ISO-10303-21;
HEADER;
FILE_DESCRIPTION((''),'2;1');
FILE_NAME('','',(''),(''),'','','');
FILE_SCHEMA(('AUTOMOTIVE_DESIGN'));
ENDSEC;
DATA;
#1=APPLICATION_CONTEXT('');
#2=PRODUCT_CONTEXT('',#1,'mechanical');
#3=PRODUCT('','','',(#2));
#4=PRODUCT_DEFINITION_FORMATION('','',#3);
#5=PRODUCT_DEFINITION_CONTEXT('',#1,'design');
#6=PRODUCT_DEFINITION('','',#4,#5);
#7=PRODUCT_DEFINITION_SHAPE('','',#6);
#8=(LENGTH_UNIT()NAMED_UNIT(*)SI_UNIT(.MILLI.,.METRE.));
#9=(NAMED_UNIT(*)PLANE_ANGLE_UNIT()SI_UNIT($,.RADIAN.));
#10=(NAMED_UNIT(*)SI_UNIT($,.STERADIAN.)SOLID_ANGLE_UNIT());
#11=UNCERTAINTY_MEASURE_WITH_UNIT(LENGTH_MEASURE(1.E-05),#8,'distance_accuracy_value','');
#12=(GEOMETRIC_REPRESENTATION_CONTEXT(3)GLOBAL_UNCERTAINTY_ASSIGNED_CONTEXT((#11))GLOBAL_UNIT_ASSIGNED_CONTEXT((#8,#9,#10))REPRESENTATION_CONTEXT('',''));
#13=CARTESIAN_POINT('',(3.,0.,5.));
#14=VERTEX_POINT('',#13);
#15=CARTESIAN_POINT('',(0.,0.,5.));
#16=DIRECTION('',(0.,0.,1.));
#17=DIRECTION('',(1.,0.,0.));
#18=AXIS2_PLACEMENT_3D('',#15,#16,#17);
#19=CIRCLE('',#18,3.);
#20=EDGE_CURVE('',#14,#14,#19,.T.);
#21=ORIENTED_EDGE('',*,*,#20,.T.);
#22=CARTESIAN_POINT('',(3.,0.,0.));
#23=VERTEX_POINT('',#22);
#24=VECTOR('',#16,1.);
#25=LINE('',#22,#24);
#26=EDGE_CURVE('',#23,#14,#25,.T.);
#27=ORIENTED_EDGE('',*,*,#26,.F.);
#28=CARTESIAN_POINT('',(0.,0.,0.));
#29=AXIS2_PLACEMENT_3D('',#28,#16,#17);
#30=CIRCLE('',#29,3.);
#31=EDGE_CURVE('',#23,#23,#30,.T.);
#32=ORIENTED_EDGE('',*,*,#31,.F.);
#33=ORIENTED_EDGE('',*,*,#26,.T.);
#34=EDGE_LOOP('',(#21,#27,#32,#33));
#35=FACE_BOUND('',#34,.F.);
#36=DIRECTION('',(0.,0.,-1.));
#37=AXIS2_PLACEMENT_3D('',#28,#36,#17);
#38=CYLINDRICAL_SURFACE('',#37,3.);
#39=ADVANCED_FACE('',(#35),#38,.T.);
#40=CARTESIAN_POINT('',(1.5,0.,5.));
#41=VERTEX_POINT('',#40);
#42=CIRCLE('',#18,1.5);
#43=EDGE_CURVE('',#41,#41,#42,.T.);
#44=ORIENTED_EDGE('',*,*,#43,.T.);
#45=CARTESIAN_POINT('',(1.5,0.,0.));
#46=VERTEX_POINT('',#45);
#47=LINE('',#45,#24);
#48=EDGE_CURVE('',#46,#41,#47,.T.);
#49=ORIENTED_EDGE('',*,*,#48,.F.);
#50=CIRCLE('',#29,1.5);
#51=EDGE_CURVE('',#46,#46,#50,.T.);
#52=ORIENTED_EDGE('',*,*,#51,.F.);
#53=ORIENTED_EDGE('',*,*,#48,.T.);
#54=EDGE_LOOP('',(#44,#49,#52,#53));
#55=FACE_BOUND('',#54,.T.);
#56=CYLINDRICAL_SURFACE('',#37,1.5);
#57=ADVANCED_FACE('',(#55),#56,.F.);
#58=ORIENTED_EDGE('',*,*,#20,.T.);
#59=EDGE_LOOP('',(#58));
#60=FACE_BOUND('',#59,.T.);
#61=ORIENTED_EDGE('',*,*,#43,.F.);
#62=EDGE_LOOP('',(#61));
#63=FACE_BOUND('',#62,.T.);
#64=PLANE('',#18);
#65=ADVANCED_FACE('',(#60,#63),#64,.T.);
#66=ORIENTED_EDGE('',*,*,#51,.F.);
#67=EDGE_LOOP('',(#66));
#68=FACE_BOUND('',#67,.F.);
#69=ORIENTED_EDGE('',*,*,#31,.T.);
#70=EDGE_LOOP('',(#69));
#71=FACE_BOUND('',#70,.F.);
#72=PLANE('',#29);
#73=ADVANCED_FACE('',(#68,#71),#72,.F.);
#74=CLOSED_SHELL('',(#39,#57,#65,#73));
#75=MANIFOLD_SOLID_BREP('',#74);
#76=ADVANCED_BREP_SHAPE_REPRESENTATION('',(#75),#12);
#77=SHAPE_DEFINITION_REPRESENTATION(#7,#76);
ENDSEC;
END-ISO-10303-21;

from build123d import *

# Parameters (mm, degrees)
CROQUIS1_R              = 3
CROQUIS1_R_2            = 1.5
SALIENTE_EXTRUIR1_DEPTH = 5


with BuildPart() as part:
    # Croquis1 → Saliente-Extruir1 (new body)
    with BuildSketch(Plane.XY):
        Circle(CROQUIS1_R)
        Circle(CROQUIS1_R_2, mode=Mode.SUBTRACT)
    extrude(amount=SALIENTE_EXTRUIR1_DEPTH)


solid = part.part
